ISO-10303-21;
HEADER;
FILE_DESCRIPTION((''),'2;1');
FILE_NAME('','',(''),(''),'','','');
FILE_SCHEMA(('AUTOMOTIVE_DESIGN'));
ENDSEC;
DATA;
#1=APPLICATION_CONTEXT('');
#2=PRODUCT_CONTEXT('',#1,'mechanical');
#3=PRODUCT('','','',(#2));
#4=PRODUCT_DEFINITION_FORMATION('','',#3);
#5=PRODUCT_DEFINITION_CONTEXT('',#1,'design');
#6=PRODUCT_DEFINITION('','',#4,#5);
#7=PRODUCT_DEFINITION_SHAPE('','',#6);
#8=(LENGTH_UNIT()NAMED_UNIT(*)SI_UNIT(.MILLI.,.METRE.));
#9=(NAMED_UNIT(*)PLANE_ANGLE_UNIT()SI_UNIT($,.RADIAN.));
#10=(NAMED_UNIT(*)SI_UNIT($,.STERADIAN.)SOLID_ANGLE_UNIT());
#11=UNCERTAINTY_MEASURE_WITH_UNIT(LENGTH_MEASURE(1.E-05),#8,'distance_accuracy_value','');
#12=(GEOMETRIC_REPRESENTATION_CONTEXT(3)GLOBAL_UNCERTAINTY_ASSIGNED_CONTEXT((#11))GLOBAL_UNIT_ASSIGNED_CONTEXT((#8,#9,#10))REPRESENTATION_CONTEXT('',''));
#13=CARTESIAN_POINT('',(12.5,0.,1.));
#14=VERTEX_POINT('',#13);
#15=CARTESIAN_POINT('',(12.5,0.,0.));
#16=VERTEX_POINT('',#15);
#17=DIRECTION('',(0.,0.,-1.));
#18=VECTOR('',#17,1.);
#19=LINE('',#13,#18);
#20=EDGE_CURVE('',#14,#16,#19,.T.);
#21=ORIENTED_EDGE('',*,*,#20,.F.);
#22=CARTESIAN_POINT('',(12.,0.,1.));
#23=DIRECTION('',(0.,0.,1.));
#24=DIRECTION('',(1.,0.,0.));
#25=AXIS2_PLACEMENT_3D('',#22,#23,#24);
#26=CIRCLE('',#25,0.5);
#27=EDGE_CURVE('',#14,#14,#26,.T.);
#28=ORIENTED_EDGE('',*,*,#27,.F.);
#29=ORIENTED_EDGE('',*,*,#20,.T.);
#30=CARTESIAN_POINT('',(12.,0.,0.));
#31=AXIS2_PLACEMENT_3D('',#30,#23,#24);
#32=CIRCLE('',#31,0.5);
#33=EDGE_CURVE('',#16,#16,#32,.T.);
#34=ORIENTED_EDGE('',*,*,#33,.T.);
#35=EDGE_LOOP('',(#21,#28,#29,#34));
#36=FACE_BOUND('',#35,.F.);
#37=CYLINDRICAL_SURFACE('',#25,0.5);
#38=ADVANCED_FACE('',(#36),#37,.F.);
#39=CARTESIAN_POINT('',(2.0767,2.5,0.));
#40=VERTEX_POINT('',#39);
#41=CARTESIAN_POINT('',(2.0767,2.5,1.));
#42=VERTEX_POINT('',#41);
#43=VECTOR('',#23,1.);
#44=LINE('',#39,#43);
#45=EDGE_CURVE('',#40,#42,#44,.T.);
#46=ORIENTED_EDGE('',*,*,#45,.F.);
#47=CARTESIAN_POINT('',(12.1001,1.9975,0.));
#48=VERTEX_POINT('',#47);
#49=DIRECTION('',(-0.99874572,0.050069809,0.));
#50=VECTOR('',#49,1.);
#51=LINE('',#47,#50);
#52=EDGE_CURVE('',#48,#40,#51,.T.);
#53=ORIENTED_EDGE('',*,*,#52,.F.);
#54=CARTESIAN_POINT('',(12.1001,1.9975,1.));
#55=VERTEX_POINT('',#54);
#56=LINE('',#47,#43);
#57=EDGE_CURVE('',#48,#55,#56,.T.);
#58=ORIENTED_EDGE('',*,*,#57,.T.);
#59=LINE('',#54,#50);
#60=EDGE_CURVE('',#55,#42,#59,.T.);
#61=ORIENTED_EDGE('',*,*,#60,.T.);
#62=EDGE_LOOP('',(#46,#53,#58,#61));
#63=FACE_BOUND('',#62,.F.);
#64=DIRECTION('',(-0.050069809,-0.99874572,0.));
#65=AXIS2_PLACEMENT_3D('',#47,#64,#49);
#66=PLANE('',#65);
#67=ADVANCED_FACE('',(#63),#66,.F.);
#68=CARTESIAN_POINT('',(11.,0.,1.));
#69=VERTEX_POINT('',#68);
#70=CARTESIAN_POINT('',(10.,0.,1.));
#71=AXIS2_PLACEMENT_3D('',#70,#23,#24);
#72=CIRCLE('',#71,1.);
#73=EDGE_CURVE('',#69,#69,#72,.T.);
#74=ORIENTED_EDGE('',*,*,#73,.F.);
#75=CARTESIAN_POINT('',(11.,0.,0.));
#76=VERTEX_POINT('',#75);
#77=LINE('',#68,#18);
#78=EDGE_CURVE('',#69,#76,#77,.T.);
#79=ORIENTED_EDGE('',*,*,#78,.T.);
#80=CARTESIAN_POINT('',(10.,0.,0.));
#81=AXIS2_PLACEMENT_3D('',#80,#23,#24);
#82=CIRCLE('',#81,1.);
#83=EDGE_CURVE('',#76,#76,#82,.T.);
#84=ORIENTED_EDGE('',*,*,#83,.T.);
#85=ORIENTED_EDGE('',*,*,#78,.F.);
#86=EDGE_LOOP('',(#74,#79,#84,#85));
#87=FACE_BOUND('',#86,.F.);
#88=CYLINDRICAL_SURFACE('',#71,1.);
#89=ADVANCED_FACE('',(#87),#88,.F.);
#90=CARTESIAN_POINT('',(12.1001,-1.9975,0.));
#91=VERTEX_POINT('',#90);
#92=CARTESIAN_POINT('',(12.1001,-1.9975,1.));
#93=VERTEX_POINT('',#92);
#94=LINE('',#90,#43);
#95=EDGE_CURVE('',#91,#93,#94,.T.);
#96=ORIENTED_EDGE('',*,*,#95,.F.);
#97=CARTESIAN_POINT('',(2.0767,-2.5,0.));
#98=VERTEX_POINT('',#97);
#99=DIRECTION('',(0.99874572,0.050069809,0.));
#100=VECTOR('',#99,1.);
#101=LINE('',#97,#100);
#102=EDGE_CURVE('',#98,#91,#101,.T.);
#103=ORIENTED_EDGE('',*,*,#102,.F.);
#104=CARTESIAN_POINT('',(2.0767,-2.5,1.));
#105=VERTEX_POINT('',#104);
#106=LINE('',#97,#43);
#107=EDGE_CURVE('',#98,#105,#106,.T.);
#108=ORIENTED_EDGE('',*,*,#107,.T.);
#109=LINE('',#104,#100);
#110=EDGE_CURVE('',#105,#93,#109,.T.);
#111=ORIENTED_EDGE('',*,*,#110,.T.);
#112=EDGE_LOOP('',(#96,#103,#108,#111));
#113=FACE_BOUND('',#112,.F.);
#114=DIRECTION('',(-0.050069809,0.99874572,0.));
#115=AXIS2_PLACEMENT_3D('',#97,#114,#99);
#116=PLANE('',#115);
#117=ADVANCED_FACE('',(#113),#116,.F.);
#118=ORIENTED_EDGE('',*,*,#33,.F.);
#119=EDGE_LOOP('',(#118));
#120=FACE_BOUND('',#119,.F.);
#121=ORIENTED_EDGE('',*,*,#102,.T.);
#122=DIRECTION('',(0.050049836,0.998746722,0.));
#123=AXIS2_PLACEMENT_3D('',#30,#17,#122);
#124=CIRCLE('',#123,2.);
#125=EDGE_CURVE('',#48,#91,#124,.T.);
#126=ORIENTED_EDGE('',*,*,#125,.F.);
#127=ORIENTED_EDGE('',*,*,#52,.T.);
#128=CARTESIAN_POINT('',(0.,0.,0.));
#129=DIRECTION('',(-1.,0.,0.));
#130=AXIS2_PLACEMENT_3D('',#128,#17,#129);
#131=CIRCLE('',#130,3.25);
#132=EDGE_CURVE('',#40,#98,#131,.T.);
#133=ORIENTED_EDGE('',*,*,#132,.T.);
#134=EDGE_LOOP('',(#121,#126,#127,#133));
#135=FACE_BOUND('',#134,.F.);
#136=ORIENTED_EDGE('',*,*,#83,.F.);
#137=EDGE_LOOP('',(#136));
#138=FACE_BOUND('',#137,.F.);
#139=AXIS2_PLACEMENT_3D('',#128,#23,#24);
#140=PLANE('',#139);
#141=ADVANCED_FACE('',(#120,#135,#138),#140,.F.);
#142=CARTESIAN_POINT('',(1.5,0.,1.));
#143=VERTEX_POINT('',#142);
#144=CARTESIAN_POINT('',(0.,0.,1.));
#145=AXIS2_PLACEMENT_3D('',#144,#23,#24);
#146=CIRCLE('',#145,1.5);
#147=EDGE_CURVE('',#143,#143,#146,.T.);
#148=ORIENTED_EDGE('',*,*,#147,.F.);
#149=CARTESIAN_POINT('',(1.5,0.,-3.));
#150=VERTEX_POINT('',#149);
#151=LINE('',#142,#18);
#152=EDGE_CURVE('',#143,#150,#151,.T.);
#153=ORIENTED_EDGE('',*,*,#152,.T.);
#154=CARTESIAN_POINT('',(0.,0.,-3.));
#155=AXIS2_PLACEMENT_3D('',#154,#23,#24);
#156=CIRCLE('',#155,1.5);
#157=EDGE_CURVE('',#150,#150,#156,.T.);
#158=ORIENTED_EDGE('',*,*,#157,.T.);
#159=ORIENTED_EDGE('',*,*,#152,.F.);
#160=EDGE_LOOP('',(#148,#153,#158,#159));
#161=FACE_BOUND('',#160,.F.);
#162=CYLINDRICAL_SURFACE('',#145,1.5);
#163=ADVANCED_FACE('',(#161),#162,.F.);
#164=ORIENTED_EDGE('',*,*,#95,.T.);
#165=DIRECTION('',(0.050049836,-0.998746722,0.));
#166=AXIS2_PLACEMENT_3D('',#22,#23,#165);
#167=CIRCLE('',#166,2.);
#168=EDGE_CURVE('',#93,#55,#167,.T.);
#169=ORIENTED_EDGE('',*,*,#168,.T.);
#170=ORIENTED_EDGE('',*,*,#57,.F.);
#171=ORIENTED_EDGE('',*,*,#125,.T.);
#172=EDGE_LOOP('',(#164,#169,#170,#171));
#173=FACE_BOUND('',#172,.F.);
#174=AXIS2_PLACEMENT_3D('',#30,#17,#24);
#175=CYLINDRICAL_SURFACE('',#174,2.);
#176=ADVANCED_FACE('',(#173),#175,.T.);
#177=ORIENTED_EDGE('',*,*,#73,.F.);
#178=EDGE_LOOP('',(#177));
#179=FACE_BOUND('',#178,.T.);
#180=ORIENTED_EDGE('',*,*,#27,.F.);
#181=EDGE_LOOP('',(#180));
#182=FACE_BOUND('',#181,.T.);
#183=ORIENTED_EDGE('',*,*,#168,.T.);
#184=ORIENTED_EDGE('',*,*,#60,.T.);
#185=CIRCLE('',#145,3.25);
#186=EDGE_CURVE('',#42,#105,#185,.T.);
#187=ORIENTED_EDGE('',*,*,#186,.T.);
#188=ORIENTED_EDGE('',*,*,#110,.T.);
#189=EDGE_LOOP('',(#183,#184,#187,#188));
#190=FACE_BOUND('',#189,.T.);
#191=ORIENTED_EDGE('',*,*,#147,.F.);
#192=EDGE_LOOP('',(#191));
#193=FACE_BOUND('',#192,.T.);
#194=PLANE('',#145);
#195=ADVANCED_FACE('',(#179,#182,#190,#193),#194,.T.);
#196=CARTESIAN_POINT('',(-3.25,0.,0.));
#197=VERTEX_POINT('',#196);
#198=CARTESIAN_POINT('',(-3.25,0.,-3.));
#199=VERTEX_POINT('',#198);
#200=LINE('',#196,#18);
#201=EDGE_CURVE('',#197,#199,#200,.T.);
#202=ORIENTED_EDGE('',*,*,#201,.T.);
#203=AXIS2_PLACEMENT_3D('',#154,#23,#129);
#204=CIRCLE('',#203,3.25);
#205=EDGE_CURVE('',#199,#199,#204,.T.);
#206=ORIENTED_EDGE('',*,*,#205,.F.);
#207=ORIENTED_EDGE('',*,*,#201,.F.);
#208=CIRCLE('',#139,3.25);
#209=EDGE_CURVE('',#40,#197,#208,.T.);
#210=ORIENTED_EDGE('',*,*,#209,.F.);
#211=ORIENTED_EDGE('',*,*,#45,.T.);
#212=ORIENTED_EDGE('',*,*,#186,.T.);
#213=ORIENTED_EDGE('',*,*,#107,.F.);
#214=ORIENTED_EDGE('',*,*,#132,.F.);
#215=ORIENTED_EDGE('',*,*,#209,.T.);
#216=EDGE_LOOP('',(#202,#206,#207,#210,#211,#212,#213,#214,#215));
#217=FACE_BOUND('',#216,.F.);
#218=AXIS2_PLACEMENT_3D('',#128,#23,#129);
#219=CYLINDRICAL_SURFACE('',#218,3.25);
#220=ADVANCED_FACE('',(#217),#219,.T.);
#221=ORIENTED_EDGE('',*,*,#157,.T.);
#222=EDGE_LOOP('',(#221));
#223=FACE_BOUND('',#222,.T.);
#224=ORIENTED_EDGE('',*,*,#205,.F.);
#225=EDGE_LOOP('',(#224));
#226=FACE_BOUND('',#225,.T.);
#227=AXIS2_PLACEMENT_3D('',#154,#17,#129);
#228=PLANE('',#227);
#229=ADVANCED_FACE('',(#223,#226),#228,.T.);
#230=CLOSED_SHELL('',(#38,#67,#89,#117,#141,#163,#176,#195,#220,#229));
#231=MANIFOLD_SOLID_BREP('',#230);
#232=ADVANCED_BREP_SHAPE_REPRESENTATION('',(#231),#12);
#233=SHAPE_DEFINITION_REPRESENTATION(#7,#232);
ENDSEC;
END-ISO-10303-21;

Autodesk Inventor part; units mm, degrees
ref_plane "YZ Plane" through (0, 0, 0) normal (1, 0, 0) x (0, 1, 0)
ref_plane "XZ Plane" through (0, 0, 0) normal (0, 1, 0) x (-1, 0, 0)
ref_plane "XY Plane" through (0, 0, 0) normal (0, 0, 1) x (1, 0, 0)
sketch "Skizze1" plane through (0, 0, 0) normal (0, 0, 1) x (1, 0, 0)
  circle A0 centre (0, 0) radius 3.25
  circle A1 centre (12, 0) radius 2
  line L0 (0, 0) -> (12, 0) construction
  line L1 (12.1001, 1.9975) -> (2.0767, 2.5)
  line L2 (2.0767, -2.5) -> (12.1001, -1.9975)
  dimension "d0" = 6.5
  dimension "d1" = 12
  dimension "d2" = 4
  dimension "d3" = 2.5
  dimension "d4" = 2.5
extrude "Extrusion1" add sketch "Skizze1" along normal blind 1
sketch "Skizze2" plane through (0, 0, 0) normal (0, 0, -1) x (-1, 0, 0)
  line L0 (-2.0767, -2.5) -> (-12.1001, -1.9975) projected
  circle A0 centre (0, 0) radius 3.25
extrude "Extrusion2" add sketch "Skizze2" along normal blind 3
sketch "Skizze3" plane through (0, 0, 1) normal (0, 0, 1) x (1, 0, 0)
  arc A0 (12.1001, -1.9975) -> (12.1001, 1.9975) centre (12, 0) ccw projected
  circle A1 centre (12, 0) radius 0.5
  circle A2 centre (10, 0) radius 1
  point P0 (0, 0)
  dimension "d9" = 2
  dimension "d10" = 1
  dimension "d11" = 2
extrude "Extrusion3" cut sketch "Skizze3" against normal blind 3.25
sketch "Skizze4" plane through (0, 0, 1) normal (0, 0, 1) x (1, 0, 0)
  circle A0 centre (0, 0) radius 1.5
  dimension "d14" = 3
extrude "Extrusion4" cut sketch "Skizze4" against normal blind 6.25
properties part number "P_Servo_SIMPROP_lever"
